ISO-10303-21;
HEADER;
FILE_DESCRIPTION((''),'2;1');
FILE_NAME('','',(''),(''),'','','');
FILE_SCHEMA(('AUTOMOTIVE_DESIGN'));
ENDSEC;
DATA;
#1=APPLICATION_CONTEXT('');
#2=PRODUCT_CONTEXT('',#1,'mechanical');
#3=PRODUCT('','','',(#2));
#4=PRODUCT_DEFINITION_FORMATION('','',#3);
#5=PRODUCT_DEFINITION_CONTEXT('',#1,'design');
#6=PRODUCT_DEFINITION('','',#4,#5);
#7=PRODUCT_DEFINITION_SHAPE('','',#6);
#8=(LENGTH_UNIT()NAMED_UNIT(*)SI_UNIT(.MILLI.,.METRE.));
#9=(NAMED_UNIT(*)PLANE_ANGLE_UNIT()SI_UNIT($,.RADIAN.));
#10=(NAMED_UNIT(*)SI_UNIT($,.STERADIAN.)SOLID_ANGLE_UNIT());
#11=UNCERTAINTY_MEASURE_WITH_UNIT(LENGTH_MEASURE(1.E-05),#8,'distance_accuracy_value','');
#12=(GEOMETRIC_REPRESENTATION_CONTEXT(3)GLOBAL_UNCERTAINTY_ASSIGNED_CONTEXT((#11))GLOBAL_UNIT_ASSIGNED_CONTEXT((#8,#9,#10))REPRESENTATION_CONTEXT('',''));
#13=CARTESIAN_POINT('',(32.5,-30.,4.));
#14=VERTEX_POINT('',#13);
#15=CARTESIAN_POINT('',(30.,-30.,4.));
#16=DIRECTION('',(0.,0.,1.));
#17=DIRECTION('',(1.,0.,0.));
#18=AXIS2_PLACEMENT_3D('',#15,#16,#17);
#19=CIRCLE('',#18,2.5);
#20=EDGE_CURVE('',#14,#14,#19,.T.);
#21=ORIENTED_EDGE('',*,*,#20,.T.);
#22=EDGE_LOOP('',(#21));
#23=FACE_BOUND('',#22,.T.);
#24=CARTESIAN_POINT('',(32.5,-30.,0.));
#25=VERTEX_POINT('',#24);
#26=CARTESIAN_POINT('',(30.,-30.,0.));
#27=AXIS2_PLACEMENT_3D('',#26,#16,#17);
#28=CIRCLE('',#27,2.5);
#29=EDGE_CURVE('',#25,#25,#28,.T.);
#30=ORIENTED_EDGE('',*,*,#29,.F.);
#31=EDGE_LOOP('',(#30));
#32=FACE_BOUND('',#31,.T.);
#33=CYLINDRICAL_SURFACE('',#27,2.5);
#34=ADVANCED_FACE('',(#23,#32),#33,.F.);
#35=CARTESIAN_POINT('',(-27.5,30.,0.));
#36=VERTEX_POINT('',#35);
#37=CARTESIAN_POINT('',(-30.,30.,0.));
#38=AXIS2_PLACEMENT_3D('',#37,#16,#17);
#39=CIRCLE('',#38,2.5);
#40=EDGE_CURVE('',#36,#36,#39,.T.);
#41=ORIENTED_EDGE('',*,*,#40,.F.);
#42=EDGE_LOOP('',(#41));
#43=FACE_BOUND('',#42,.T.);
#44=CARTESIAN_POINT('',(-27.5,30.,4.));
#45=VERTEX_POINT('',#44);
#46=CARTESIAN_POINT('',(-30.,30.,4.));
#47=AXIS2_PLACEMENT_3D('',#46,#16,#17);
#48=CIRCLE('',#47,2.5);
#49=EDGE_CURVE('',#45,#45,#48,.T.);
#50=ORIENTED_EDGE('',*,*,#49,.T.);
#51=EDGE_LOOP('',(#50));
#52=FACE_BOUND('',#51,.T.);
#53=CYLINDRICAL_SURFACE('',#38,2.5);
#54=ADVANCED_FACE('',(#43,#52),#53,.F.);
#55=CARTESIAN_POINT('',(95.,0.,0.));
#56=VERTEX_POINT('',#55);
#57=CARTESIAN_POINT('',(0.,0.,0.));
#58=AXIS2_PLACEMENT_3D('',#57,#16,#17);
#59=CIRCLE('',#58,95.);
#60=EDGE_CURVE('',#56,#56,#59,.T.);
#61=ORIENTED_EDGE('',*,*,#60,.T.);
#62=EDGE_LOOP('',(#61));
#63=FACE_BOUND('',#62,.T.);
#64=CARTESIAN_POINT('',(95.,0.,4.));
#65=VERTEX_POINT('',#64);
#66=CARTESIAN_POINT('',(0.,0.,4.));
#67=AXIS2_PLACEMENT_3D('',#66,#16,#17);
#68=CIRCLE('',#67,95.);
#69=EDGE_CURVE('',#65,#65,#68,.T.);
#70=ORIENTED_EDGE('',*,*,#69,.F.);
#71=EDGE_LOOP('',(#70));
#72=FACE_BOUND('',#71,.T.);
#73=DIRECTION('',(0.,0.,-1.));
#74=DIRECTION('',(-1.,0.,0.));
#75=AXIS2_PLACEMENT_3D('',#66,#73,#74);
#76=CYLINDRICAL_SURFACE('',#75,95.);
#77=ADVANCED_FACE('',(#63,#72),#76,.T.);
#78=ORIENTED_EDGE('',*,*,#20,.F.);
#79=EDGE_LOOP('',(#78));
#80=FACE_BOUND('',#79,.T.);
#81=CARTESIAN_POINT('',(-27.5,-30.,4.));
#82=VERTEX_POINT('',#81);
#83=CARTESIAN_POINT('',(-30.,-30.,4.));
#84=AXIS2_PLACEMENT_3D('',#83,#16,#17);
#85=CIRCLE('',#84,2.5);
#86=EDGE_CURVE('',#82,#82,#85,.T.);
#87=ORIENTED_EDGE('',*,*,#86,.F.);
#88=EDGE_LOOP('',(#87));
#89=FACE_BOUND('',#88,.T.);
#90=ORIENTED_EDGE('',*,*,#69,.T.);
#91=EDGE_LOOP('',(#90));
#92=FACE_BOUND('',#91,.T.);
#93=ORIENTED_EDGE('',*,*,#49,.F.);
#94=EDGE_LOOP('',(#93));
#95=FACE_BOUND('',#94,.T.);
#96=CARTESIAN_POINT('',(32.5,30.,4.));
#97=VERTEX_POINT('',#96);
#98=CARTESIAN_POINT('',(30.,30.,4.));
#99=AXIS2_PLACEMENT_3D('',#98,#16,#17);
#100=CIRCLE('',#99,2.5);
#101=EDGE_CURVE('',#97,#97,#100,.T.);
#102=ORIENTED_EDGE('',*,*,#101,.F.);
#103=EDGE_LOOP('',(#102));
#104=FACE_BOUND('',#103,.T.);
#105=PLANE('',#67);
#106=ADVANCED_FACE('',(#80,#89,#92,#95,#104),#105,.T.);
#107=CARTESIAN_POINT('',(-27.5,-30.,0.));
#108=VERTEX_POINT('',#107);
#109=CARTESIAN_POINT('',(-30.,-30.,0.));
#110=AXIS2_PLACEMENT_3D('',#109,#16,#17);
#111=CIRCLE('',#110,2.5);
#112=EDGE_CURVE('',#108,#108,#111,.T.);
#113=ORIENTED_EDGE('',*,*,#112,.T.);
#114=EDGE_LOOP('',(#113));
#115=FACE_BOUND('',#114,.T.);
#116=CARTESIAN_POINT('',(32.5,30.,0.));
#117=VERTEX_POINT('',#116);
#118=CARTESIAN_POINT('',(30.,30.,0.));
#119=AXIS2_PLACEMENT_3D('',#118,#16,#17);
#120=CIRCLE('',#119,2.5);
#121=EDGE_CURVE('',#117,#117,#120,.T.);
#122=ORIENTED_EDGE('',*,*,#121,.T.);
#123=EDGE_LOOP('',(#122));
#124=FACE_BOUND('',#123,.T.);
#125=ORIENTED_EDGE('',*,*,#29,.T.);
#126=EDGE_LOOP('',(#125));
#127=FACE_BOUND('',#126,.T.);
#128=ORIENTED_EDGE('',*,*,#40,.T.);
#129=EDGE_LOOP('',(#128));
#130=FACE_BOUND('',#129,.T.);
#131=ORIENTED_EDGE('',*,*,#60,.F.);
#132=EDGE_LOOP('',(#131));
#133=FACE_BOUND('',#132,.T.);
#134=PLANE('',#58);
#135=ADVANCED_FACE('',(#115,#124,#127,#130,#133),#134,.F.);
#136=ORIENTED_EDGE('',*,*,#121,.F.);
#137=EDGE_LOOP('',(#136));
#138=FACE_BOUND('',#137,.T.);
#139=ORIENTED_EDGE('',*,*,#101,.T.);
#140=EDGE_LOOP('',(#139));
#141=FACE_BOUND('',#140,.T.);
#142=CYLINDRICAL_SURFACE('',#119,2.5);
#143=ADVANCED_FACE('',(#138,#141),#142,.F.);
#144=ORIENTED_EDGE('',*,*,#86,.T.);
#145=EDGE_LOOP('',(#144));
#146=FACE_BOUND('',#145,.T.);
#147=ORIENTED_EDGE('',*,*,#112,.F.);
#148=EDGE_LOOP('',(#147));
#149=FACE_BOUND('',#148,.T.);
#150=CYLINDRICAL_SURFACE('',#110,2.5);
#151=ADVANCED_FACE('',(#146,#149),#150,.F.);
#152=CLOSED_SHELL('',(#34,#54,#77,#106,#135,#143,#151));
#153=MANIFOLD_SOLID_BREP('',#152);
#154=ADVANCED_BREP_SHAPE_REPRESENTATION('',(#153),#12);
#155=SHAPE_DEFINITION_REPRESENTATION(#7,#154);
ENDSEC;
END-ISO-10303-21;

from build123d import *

# Parameters (mm, degrees)
CROQUIS1_R              = 95
SALIENTE_EXTRUIR1_DEPTH = 4
CROQUIS2_R              = 2.5
CORTAR_EXTRUIR1_DEPTH   = 4


with BuildPart() as part:
    # Croquis1 → Saliente-Extruir1 (new body)
    with BuildSketch(Plane.XY):
        Circle(CROQUIS1_R)
    extrude(amount=SALIENTE_EXTRUIR1_DEPTH)

    # Croquis2 → Cortar-Extruir1 (cut)
    with BuildSketch(Plane.XY.offset(4)):
        with Locations((-30, 30)):
            Circle(CROQUIS2_R)
        with Locations((30, 30)):
            Circle(CROQUIS2_R)
        with Locations((-30, -30)):
            Circle(CROQUIS2_R)
        with Locations((30, -30)):
            Circle(CROQUIS2_R)
    extrude(amount=-CORTAR_EXTRUIR1_DEPTH, mode=Mode.SUBTRACT)


solid = part.part
